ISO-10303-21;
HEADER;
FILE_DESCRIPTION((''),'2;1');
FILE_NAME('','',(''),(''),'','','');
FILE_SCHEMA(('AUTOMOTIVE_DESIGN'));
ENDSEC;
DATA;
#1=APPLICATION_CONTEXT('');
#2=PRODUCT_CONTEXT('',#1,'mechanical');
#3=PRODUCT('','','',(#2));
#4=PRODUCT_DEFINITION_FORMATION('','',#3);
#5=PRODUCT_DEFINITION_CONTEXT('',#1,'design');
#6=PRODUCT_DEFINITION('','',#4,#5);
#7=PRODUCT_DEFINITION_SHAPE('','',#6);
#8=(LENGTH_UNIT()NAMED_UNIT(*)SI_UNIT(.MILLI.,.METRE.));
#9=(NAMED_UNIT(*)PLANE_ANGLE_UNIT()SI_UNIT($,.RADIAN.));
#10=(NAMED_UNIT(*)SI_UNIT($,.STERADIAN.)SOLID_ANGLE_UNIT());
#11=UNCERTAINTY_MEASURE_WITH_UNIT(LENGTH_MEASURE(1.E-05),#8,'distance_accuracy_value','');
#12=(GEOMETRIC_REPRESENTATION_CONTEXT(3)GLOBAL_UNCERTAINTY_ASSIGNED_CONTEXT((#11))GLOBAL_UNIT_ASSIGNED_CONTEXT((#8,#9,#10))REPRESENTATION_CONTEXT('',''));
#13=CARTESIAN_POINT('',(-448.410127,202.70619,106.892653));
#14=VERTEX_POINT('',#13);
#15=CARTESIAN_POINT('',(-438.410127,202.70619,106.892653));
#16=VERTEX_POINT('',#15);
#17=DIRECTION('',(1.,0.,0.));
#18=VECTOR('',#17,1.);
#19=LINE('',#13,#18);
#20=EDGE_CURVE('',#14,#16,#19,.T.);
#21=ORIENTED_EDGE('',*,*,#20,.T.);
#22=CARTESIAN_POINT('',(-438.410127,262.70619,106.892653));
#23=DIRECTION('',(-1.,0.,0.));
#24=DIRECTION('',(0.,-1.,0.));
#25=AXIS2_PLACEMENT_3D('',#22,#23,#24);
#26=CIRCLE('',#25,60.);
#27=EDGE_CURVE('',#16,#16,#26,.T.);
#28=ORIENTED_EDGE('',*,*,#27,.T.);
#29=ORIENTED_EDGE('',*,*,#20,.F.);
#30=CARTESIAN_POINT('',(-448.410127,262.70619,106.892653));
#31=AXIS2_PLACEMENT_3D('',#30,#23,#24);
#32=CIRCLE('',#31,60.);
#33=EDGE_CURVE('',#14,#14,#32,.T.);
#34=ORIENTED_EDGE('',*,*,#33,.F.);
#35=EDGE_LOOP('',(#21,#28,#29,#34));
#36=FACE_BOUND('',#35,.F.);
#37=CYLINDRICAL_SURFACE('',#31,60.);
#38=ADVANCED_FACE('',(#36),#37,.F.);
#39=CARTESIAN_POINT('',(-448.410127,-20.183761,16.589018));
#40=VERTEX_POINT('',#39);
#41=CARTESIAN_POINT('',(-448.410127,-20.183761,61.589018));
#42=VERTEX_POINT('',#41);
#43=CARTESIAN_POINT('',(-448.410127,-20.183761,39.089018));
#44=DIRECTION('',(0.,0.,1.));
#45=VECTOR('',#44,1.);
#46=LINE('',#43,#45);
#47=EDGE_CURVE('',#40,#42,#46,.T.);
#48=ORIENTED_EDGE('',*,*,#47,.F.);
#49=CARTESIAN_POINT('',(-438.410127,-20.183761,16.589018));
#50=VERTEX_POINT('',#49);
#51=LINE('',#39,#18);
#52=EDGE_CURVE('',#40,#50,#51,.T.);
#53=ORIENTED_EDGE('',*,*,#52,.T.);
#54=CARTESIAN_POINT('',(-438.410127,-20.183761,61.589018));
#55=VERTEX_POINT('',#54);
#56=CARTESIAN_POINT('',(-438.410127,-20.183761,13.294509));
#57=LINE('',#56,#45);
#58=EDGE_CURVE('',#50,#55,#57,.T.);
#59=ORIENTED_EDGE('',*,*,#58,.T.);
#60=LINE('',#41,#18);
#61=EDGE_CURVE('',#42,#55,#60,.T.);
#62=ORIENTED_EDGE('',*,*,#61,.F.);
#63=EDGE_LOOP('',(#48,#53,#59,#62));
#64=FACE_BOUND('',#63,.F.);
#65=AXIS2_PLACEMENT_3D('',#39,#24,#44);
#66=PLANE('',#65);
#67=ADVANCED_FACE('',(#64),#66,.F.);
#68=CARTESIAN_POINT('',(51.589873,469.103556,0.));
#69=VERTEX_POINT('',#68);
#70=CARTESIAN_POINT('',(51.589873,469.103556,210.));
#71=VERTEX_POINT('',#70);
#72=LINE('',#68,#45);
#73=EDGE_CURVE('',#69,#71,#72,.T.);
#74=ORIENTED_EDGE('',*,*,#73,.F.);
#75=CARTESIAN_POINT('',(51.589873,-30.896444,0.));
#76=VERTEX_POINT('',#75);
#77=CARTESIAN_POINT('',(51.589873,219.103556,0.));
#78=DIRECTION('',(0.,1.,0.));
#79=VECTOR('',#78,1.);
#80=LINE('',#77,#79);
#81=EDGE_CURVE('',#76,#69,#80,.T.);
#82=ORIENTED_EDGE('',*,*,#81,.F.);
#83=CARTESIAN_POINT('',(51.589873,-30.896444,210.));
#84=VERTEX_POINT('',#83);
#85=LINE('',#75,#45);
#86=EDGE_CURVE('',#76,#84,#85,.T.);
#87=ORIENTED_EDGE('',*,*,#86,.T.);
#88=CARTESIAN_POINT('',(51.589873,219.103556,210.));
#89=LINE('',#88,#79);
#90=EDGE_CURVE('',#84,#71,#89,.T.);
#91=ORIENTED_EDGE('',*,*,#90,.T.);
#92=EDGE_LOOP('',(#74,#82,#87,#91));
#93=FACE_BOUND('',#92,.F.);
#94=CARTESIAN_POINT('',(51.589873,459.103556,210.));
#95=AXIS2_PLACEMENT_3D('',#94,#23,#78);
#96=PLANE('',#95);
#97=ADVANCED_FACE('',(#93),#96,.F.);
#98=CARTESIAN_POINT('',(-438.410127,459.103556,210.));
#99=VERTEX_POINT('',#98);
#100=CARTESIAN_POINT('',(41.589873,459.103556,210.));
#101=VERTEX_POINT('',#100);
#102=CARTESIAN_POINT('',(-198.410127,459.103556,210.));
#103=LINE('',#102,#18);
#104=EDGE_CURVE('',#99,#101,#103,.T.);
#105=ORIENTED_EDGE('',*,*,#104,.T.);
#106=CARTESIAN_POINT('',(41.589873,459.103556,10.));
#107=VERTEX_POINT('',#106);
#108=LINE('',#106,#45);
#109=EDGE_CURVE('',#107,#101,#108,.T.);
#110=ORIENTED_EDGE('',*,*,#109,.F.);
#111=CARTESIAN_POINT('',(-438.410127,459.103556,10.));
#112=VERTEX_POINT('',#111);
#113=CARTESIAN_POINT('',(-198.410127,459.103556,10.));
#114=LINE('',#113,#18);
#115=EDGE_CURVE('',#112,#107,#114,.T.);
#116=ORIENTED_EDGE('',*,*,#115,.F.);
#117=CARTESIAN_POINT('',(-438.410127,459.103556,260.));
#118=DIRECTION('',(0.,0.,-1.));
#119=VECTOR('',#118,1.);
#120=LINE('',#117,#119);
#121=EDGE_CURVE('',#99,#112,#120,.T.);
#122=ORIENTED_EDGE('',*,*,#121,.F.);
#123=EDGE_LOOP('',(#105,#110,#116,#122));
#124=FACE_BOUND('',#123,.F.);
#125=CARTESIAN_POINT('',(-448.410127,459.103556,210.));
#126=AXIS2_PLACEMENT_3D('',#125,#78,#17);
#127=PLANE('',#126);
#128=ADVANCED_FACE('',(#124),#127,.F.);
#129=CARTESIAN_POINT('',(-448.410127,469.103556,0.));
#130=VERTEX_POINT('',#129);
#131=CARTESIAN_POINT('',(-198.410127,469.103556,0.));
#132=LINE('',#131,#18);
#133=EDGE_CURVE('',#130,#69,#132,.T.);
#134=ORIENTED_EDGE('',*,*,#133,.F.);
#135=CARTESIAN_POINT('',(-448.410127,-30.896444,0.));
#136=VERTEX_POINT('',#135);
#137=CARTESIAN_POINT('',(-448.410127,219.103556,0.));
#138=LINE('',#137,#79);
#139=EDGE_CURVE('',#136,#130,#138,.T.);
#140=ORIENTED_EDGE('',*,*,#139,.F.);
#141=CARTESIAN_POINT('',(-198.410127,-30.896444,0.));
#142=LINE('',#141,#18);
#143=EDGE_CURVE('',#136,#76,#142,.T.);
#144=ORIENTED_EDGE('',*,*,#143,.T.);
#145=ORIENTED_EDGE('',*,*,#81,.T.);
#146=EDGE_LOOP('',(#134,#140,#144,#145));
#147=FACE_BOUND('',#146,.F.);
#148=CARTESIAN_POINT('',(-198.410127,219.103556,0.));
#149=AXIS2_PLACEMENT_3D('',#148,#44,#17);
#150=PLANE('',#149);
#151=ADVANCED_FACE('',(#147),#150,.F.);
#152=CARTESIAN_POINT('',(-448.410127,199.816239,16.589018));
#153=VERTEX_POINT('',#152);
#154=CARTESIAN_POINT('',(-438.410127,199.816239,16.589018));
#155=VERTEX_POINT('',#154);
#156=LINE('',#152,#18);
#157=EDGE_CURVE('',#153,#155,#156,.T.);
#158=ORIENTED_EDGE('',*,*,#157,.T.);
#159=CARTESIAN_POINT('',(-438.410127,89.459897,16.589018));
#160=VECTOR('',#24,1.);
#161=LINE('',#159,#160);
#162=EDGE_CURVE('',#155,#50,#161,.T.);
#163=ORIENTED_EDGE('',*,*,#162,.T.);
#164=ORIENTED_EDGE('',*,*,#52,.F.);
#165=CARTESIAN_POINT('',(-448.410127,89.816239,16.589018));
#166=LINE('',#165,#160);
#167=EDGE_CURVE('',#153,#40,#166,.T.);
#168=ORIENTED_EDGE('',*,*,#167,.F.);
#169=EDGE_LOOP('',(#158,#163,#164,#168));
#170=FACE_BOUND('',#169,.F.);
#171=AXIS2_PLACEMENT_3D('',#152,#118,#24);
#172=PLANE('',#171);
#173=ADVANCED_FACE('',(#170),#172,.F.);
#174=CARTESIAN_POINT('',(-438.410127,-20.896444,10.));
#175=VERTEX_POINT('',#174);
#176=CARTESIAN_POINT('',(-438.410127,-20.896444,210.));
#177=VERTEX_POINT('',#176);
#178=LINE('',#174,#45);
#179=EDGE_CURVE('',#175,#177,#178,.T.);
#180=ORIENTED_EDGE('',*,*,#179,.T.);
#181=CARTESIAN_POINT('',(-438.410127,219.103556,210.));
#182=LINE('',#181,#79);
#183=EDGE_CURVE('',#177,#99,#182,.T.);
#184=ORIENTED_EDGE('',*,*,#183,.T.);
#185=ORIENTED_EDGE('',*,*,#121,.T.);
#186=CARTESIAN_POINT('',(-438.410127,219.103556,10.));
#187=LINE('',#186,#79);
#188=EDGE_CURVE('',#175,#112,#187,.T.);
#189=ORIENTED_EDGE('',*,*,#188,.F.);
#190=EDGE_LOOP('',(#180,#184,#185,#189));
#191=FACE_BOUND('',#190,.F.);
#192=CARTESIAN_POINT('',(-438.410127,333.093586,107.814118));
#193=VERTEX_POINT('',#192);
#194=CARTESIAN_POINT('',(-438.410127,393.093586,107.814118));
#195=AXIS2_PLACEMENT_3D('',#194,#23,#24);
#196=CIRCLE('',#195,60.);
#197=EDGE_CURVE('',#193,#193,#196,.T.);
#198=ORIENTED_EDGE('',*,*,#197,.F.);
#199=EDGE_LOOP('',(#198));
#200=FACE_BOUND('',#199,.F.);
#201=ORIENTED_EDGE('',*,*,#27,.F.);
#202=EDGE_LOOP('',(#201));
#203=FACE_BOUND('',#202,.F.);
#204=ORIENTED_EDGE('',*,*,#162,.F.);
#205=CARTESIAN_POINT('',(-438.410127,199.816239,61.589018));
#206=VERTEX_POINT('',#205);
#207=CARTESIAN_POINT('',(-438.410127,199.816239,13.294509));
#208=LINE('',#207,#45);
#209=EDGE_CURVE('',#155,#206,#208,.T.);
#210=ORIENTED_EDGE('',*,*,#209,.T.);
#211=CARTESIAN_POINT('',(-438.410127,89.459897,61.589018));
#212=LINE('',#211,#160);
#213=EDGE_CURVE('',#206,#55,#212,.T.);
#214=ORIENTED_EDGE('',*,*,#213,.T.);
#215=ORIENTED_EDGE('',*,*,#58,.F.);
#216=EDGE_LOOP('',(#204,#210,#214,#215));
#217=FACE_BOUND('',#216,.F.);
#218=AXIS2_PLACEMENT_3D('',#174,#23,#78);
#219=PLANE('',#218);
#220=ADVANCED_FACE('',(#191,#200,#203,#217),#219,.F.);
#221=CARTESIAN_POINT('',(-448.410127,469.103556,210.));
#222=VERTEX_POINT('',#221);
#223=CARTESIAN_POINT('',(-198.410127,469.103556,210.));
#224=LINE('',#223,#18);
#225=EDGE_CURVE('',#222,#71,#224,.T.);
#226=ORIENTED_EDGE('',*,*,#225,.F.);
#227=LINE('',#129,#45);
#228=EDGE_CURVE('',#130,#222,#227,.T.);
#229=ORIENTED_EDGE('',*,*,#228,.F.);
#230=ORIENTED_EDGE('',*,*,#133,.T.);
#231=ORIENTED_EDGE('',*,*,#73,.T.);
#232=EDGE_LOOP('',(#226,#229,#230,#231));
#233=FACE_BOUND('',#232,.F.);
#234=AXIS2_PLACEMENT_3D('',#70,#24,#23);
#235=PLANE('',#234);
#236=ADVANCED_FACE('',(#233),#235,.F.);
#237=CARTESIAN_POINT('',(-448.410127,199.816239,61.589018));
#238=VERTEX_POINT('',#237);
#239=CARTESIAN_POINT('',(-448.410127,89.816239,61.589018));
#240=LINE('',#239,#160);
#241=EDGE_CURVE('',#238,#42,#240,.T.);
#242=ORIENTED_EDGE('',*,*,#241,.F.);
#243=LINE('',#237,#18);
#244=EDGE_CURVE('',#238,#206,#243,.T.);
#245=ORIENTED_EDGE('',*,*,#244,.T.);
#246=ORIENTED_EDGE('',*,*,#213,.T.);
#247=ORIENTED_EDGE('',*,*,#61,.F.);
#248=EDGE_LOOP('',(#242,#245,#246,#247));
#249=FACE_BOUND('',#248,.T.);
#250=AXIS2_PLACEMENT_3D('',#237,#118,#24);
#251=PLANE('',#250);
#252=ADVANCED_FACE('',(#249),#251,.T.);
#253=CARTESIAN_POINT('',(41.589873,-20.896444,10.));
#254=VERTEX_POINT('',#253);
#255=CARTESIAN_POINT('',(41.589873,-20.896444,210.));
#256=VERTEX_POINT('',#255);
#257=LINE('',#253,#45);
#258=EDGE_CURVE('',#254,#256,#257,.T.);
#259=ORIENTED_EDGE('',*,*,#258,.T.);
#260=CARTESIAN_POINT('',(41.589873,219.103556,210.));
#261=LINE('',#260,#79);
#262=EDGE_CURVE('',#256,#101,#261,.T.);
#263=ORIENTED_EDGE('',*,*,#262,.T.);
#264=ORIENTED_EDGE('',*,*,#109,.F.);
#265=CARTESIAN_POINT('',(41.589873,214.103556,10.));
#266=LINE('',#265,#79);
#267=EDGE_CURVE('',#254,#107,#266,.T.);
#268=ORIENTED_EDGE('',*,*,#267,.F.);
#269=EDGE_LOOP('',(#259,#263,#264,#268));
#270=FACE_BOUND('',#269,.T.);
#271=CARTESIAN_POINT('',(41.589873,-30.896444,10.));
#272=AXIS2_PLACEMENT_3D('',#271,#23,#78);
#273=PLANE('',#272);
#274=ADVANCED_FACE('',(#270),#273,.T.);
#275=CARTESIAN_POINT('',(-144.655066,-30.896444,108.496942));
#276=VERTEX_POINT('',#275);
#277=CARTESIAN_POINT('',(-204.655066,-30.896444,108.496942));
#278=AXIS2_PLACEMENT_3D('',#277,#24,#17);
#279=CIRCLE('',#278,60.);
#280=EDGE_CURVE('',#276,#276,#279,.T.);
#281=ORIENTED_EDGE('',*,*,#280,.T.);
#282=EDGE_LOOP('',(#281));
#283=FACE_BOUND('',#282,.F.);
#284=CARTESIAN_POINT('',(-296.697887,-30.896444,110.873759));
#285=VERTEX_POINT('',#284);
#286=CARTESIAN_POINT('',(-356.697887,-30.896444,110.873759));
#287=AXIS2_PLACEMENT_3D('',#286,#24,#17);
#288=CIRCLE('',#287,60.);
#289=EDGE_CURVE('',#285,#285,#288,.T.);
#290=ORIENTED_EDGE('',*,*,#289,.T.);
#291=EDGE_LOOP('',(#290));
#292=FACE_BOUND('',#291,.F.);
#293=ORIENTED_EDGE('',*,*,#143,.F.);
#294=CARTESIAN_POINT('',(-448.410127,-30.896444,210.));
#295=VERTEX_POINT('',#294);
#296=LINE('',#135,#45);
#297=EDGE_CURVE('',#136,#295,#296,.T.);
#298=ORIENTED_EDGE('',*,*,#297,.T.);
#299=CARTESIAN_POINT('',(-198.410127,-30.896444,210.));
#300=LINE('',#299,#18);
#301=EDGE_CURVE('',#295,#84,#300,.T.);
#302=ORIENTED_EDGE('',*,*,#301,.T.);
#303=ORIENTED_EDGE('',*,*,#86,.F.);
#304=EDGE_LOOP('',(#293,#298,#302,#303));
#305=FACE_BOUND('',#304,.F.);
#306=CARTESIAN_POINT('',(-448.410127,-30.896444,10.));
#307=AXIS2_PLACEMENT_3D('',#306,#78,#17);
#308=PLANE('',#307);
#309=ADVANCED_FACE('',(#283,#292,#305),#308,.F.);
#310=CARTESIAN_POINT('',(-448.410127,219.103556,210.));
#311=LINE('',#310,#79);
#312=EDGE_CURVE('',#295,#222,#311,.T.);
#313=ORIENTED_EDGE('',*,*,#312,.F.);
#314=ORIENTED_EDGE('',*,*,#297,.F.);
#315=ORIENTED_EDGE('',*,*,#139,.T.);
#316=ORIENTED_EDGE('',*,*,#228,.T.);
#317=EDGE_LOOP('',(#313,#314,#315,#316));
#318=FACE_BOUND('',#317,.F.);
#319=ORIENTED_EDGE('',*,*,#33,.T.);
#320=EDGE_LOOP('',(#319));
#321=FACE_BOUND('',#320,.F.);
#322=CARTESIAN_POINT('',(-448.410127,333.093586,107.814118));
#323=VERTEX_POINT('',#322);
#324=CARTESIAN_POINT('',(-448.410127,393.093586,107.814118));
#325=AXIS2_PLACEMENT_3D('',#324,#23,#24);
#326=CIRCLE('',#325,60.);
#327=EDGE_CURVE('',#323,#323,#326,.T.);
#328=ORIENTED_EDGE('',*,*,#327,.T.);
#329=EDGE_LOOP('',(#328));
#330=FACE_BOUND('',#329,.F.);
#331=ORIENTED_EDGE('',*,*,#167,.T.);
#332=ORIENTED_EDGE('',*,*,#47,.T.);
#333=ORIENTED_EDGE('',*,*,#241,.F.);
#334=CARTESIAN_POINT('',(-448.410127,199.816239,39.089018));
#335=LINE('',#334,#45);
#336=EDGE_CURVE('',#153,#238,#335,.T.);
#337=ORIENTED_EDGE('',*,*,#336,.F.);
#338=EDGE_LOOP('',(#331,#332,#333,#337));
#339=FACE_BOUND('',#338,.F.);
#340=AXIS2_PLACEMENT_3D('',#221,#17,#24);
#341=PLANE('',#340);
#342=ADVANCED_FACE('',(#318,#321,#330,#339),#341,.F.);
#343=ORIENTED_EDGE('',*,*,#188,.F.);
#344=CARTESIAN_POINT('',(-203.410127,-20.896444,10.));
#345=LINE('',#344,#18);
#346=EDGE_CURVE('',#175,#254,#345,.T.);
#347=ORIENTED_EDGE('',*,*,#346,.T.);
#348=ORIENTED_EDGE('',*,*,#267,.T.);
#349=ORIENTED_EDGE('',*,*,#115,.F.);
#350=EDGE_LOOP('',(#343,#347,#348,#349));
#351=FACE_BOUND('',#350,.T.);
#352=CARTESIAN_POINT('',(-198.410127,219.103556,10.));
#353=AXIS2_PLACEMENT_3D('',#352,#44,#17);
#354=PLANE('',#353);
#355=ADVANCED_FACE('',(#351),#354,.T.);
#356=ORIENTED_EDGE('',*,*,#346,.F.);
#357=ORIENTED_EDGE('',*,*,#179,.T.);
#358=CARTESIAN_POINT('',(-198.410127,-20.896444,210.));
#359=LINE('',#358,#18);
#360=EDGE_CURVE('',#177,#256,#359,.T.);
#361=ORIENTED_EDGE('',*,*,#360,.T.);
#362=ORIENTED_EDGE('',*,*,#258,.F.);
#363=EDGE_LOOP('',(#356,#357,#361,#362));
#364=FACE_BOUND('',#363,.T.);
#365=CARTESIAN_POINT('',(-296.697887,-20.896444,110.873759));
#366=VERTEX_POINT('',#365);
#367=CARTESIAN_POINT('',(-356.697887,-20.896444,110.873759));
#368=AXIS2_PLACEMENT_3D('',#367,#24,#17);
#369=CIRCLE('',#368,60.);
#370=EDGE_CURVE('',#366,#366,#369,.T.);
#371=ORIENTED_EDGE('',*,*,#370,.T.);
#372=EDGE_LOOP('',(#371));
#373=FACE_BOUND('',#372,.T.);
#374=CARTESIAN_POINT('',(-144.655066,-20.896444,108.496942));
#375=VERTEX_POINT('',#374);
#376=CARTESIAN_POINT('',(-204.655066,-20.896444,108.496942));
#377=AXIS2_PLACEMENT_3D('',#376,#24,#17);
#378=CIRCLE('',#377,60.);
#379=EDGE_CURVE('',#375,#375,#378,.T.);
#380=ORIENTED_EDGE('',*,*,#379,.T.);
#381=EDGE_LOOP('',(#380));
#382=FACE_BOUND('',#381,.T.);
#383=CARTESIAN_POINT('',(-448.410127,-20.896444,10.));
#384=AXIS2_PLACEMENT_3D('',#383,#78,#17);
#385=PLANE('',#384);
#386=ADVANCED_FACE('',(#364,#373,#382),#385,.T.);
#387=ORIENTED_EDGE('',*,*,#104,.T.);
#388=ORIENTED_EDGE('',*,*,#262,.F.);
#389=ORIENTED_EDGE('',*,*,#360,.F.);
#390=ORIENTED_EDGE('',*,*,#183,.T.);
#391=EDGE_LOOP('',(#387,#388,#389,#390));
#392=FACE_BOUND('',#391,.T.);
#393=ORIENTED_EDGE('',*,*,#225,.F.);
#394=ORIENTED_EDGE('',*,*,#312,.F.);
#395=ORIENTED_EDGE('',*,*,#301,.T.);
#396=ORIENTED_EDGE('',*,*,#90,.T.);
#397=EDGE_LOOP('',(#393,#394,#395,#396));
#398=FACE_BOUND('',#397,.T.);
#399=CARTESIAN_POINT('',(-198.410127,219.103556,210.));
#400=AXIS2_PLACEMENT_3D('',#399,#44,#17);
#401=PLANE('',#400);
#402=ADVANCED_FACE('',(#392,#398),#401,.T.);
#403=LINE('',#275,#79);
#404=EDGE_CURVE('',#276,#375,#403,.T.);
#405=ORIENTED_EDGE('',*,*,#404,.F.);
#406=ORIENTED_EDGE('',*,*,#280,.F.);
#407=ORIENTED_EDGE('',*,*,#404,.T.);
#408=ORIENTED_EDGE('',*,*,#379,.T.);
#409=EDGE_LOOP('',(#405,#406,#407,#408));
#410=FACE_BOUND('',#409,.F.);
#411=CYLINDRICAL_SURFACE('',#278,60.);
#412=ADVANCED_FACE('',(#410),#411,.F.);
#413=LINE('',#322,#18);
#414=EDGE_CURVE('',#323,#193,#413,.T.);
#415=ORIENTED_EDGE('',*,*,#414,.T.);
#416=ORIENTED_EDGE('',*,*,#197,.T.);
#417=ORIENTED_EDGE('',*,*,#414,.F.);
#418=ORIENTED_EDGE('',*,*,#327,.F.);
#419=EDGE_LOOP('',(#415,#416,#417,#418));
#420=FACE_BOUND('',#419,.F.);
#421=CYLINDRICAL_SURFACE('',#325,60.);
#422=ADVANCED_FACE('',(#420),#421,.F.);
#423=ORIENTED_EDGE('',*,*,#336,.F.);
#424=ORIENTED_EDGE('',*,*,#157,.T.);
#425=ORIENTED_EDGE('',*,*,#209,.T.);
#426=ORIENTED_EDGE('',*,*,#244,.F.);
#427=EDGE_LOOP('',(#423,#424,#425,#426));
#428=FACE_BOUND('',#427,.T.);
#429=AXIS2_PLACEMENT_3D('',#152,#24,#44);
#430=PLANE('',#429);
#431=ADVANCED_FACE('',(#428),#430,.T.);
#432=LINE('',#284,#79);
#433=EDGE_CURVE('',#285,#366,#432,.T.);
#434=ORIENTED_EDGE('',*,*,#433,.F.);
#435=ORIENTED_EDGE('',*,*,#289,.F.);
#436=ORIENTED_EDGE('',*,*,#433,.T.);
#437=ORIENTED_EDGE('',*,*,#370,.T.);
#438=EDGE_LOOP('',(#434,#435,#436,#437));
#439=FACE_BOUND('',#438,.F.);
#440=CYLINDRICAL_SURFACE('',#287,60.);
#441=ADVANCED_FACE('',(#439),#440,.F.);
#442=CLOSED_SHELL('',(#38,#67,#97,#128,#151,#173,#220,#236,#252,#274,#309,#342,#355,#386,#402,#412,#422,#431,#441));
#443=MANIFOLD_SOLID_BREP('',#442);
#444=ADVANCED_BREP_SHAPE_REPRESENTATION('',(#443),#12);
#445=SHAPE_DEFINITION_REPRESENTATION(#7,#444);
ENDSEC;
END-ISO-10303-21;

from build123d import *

# Parameters (mm, degrees)
F0_W         = 500
F0_H         = 500
F1_DEPTH     = 10
F2_W         = 500
F2_H         = 10
F3_DEPTH     = 200
F4_W         = 10
F4_H         = 490
F5_DEPTH     = 250
F6_W         = 490
F6_H         = 10
F7_DEPTH     = 250
F8_W         = 10
F8_H         = 480
F9_DEPTH     = 250
F10_DEPTH    = 50
F10_FACE_W   = 500
F10_FACE_H   = 500
F10_FACE_W_2 = 480
F10_FACE_H_2 = 480
F11_DEPTH    = 50
F12_R        = 60
F13_DEPTH    = 70
F14_R        = 60
F15_DEPTH    = 122
F16_W        = 220
F16_H        = 45
F17_DEPTH    = 25
F18_R        = 60
F19_DEPTH    = 25
F20_R        = 60
F21_DEPTH    = 25


with BuildPart() as f1:
    # F0 (on Top) → F1 (new body)
    with BuildSketch(Plane.XY):
        with Locations((-198.410127, 219.103556)):
            Rectangle(F0_W, F0_H)
    extrude(amount=F1_DEPTH)

    # F2 (on face) → F3 (join)
    with BuildSketch(Plane.XY.offset(10)):
        with Locations((-198.410127, 464.103556)):
            Rectangle(F2_W, F2_H)
    extrude(amount=F3_DEPTH)

    # F4 (on face) → F5 (join)
    with BuildSketch(Plane.XY.offset(10)):
        with Locations((46.589873, 214.103556)):
            Rectangle(F4_W, F4_H)
    extrude(amount=F5_DEPTH)

    # F6 (on face) → F7 (join)
    with BuildSketch(Plane.XY.offset(10)):
        with Locations((-203.410127, -25.896444)):
            Rectangle(F6_W, F6_H)
    extrude(amount=F7_DEPTH)

    # F8 (on face) → F9 (join)
    with BuildSketch(Plane.XY.offset(10)):
        with Locations((-443.410127, 219.103556)):
            Rectangle(F8_W, F8_H)
    extrude(amount=F9_DEPTH)

    # F3_face (on face) → F10 (join)
    with BuildSketch(Plane(origin=(-198.410127, 464.103556, 210), x_dir=(1, 0, 0), z_dir=(0, 0, 1))):
        Polygon((-250, -5), (-240, -5), (240, -5), (250, -5), (250, 5), (-250, 5), align=None)
    extrude(amount=F10_DEPTH)

    # F10_face (on face) → F11 (cut)
    with BuildSketch(Plane(origin=(-198.410127, 219.103556, 260), x_dir=(1, 0, 0), z_dir=(0, 0, 1))):
        Rectangle(F10_FACE_W, F10_FACE_H)
        Rectangle(F10_FACE_W_2, F10_FACE_H_2, mode=Mode.SUBTRACT)
    extrude(amount=-F11_DEPTH, mode=Mode.SUBTRACT)

    # F12 (on face) → F13 (cut)
    with BuildSketch(Plane.XZ.offset(30.896444)):
        with Locations((-356.697887, 110.873759)):
            Circle(F12_R)
    extrude(amount=-F13_DEPTH, mode=Mode.SUBTRACT)

    # F14 (on face) → F15 (cut)
    with BuildSketch(Plane.XZ.offset(30.896444)):
        with Locations((-204.655066, 108.496942)):
            Circle(F14_R)
    extrude(amount=-F15_DEPTH, mode=Mode.SUBTRACT)

    # F16 (on face) → F17 (cut)
    with BuildSketch(Plane(origin=(-448.410127, 0, 0), x_dir=(0, -1, 0), z_dir=(-1, 0, 0))):
        with Locations((-89.816239, 39.089018)):
            Rectangle(F16_W, F16_H)
    extrude(amount=-F17_DEPTH, mode=Mode.SUBTRACT)

    # F18 (on face) → F19 (cut)
    with BuildSketch(Plane(origin=(-448.410127, 0, 0), x_dir=(0, -1, 0), z_dir=(-1, 0, 0))):
        with Locations((-393.093586, 107.814118)):
            Circle(F18_R)
    extrude(amount=-F19_DEPTH, mode=Mode.SUBTRACT)

    # F20 (on face) → F21 (cut)
    with BuildSketch(Plane(origin=(-448.410127, 0, 0), x_dir=(0, -1, 0), z_dir=(-1, 0, 0))):
        with Locations((-262.70619, 106.892653)):
            Circle(F20_R)
    extrude(amount=-F21_DEPTH, mode=Mode.SUBTRACT)


solid = f1.part
